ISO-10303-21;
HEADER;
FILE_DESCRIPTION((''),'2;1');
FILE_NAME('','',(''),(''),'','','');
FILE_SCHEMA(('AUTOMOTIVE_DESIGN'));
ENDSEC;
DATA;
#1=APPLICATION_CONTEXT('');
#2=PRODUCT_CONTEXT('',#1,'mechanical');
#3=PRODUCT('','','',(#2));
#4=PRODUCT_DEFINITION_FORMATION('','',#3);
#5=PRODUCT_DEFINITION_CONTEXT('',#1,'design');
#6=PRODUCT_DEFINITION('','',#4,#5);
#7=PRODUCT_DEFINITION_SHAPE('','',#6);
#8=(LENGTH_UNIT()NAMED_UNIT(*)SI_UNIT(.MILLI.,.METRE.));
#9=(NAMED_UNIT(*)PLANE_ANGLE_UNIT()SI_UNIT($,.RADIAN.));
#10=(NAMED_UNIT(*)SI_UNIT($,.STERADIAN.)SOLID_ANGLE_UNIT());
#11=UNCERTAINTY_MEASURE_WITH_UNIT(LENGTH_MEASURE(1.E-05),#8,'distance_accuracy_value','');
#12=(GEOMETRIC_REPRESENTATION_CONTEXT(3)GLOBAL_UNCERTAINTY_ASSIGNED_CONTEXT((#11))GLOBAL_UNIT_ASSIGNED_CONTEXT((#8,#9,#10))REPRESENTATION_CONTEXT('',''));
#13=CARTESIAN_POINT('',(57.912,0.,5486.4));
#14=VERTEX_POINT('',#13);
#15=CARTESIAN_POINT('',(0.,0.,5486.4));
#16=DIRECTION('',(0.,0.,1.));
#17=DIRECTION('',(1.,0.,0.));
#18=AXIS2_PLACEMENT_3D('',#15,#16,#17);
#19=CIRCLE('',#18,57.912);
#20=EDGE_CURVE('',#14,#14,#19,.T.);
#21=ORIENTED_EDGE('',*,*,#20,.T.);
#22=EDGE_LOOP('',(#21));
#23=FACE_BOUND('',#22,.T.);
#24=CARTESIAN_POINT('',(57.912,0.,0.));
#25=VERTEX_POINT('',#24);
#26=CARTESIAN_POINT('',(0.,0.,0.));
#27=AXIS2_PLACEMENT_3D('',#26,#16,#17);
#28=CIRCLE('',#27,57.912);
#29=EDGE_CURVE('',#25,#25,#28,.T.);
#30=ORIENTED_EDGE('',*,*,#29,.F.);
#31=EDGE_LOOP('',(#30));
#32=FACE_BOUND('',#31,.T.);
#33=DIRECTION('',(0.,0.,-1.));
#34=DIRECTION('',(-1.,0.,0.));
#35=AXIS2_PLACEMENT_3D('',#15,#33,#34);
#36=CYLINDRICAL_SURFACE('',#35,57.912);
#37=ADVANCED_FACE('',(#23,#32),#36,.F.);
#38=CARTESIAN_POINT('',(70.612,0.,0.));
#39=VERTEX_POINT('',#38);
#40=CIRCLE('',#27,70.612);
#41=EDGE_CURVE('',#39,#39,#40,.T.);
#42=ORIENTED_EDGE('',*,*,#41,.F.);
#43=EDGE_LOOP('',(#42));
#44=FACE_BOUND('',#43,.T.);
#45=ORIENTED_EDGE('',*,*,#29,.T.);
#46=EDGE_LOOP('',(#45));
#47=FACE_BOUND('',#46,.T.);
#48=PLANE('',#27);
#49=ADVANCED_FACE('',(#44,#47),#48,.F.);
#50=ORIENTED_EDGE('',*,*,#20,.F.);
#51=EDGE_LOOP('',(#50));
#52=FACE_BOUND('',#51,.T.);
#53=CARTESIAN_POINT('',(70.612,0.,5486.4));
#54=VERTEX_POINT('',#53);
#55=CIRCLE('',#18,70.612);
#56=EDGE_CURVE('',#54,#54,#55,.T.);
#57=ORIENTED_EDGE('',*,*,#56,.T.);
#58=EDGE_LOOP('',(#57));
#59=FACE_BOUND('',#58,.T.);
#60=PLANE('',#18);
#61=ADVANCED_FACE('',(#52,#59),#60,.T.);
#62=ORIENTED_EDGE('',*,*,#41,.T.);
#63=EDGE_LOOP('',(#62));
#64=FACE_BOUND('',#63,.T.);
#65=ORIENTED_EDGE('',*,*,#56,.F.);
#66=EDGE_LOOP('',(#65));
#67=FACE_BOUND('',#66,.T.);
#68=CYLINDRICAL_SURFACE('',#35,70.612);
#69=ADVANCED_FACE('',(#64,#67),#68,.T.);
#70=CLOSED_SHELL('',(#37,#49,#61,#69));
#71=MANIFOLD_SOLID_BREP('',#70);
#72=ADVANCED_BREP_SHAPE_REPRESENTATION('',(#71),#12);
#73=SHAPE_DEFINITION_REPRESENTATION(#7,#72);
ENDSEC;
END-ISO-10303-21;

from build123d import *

# Parameters (mm, degrees)
PIPESKETCH_R    = 70.612
PIPESKETCH_R_2  = 57.912
EXTRUSION_DEPTH = 5486.4


with BuildPart() as part:
    # PipeSketch → Extrusion (new body)
    with BuildSketch(Plane.XY):
        Circle(PIPESKETCH_R)
        Circle(PIPESKETCH_R_2, mode=Mode.SUBTRACT)
    extrude(amount=EXTRUSION_DEPTH)


solid = part.part
